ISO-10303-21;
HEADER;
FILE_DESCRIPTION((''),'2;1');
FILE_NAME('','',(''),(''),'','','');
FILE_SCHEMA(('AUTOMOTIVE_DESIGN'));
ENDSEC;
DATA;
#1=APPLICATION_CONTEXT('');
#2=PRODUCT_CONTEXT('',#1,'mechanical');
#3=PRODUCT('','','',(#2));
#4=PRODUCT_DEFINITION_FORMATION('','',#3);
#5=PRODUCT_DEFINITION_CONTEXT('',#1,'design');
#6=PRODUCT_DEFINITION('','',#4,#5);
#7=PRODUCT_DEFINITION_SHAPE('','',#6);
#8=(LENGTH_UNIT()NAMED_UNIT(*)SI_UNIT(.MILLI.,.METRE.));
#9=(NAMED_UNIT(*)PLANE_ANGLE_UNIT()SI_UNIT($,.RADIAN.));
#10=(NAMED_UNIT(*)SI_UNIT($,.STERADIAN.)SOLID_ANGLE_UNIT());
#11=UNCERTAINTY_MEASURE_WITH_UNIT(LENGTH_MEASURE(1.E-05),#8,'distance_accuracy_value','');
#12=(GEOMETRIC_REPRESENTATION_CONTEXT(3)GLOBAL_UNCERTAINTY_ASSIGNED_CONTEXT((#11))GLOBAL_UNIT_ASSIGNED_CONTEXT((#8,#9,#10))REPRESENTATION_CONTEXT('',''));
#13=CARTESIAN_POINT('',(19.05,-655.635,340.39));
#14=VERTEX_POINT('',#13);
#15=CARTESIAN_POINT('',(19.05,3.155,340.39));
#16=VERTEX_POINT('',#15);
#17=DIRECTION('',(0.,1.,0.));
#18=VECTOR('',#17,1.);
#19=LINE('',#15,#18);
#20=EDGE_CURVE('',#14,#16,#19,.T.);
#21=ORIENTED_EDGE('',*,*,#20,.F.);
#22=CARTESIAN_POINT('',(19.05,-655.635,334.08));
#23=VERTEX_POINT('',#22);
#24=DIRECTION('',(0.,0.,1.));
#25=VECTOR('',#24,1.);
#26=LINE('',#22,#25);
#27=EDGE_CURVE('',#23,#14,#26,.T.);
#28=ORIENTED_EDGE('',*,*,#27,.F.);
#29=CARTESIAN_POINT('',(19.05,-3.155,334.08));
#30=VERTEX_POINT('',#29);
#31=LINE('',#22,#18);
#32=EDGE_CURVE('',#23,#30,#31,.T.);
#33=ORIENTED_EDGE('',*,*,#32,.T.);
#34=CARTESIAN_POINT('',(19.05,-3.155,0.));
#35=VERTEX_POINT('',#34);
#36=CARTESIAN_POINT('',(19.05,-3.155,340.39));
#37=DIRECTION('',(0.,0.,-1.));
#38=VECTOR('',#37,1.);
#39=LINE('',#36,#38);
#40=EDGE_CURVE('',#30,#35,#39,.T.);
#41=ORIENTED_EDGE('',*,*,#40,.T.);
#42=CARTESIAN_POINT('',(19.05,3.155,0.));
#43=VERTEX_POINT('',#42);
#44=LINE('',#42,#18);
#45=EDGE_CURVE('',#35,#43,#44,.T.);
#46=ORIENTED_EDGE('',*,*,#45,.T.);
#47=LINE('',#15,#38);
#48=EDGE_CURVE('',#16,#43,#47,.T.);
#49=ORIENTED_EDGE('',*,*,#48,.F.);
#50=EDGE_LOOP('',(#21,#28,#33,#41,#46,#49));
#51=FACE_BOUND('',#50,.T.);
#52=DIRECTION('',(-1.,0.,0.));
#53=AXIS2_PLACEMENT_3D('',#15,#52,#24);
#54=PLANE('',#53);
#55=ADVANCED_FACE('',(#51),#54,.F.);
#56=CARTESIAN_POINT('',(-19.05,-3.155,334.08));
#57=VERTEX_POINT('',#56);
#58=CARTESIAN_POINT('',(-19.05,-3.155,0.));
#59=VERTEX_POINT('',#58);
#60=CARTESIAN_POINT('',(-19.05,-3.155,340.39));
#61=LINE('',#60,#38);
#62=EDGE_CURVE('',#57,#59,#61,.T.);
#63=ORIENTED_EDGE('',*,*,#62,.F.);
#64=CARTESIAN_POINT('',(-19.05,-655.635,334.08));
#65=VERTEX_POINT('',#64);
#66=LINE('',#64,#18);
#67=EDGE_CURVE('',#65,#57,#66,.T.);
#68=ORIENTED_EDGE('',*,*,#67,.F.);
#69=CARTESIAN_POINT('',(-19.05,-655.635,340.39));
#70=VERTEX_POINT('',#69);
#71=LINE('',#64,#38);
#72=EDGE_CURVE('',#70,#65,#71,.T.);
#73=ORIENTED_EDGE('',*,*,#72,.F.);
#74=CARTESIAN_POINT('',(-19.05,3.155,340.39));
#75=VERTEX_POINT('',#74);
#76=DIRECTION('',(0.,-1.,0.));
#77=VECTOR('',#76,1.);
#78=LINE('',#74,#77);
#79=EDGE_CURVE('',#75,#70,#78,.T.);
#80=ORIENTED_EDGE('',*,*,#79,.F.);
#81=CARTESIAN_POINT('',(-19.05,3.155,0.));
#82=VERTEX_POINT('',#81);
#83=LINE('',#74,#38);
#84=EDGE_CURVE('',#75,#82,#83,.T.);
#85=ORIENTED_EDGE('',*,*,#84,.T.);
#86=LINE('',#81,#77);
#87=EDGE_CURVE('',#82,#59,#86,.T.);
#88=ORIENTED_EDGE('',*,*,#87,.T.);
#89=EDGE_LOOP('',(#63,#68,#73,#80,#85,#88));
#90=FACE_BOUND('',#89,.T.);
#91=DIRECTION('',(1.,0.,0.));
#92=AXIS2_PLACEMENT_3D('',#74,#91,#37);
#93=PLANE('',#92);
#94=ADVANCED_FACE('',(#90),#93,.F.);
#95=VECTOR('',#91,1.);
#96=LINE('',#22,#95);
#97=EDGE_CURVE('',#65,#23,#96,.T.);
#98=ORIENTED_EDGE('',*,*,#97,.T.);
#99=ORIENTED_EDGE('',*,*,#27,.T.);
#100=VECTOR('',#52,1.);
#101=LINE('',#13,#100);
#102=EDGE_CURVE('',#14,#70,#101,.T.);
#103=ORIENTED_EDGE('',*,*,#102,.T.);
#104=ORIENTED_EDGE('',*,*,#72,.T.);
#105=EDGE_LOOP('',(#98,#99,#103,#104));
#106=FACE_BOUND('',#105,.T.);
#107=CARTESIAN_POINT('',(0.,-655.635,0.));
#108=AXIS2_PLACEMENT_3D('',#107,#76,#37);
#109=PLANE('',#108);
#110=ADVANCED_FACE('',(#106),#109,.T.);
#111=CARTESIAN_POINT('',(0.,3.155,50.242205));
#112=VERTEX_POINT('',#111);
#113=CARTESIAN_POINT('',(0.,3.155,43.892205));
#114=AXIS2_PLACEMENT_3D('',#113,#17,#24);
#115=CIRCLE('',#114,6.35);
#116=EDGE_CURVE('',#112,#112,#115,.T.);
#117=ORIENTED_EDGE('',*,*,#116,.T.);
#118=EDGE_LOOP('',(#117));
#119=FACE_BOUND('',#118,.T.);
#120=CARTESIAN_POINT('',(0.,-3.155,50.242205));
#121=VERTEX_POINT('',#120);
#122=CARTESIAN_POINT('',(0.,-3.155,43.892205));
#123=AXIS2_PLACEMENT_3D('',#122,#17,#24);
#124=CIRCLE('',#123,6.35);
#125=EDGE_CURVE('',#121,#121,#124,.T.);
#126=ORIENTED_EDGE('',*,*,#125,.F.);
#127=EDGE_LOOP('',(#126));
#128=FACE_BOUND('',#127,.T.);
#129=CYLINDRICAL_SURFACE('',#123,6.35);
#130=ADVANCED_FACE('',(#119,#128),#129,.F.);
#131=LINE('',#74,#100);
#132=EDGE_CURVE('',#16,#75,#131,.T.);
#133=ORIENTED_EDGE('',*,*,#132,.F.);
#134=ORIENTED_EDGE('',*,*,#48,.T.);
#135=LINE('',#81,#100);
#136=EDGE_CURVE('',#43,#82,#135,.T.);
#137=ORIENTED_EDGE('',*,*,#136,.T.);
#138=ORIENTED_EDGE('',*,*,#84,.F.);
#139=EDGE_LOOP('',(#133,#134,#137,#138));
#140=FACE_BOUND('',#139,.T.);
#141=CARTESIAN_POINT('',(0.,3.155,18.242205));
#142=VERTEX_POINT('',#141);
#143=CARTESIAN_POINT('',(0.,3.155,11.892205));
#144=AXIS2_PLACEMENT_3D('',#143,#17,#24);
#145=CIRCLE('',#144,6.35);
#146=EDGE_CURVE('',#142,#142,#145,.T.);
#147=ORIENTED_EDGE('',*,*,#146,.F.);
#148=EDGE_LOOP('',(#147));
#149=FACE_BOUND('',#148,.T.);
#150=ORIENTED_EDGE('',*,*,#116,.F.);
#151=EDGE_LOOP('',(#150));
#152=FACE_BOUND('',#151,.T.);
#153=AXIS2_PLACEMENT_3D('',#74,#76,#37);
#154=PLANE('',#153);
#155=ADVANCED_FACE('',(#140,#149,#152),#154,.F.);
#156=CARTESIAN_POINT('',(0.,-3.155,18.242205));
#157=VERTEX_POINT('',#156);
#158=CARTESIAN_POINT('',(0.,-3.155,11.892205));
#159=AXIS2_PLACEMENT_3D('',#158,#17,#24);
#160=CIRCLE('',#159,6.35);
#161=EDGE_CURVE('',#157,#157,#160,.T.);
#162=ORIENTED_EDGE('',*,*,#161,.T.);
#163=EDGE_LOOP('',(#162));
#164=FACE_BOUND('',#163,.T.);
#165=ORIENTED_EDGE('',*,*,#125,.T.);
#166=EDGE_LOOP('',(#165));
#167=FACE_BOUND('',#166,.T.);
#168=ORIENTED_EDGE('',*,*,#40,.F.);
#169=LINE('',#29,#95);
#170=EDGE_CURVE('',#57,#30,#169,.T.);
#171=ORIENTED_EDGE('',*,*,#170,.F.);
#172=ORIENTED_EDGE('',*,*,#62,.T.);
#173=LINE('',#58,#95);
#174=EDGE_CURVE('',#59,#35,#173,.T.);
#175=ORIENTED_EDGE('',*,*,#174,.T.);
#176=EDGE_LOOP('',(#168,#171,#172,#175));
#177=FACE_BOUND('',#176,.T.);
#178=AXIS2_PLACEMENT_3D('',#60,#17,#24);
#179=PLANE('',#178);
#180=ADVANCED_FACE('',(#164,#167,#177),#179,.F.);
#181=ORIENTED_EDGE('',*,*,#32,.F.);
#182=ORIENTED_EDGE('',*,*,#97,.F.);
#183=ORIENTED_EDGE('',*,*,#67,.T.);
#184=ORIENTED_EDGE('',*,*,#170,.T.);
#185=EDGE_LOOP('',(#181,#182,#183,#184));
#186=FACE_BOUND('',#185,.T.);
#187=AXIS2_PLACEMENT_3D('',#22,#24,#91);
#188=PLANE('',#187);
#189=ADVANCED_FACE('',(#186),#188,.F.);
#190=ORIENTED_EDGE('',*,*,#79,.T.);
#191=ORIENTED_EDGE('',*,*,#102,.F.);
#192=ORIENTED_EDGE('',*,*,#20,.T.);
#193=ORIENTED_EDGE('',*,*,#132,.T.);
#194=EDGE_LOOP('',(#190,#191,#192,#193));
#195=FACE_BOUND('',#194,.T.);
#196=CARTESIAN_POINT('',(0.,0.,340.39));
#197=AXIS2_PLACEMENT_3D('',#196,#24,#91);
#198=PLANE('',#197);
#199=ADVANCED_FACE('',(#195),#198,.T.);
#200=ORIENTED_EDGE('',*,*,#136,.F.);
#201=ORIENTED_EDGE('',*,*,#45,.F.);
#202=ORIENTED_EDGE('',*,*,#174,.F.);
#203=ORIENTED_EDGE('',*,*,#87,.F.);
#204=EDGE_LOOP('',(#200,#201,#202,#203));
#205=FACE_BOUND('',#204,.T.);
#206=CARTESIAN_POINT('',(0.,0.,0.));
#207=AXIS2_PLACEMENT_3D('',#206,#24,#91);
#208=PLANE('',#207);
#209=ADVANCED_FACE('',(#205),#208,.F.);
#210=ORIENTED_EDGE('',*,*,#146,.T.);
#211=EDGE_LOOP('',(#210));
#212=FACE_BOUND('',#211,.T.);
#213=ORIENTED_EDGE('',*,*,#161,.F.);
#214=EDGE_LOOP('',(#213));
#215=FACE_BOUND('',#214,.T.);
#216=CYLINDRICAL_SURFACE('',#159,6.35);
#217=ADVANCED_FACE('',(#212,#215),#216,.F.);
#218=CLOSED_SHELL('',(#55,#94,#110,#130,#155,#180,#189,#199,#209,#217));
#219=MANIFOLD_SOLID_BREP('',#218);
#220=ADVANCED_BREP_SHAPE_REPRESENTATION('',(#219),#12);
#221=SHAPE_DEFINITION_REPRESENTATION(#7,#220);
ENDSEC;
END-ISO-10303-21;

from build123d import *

# Parameters (mm, degrees)
CROQUIS1_W              = 38.1
CROQUIS1_H              = 6.31
SALIENTE_EXTRUIR1_DEPTH = 340.39
CROQUIS3_W              = 38.1
CROQUIS3_H              = 6.31
SALIENTE_EXTRUIR2_DEPTH = 652.48
CROQUIS5_R              = 6.35
CORTAR_EXTRUIR1_DEPTH   = 6.31


with BuildPart() as part:
    # Croquis1 → Saliente-Extruir1 (new body)
    with BuildSketch(Plane.XY):
        Rectangle(CROQUIS1_W, CROQUIS1_H)
    extrude(amount=SALIENTE_EXTRUIR1_DEPTH)

    # Croquis3 → Saliente-Extruir2 (add)
    with BuildSketch(Plane.XZ.offset(3.155)):
        with Locations((0, 337.235)):
            Rectangle(CROQUIS3_W, CROQUIS3_H)
    extrude(amount=SALIENTE_EXTRUIR2_DEPTH)

    # Croquis5 → Cortar-Extruir1 (cut)
    with BuildSketch(Plane(origin=(0, 3.155, 0), x_dir=(1, 0, 0), z_dir=(0, 1, 0))):
        with Locations(Location((0, -43.892204666, 0), (0, 0, 270))):
            Circle(CROQUIS5_R)
        with Locations(Location((0, -11.892204666, 0), (0, 0, 270))):
            Circle(CROQUIS5_R)
    extrude(amount=-CORTAR_EXTRUIR1_DEPTH, mode=Mode.SUBTRACT)


solid = part.part
